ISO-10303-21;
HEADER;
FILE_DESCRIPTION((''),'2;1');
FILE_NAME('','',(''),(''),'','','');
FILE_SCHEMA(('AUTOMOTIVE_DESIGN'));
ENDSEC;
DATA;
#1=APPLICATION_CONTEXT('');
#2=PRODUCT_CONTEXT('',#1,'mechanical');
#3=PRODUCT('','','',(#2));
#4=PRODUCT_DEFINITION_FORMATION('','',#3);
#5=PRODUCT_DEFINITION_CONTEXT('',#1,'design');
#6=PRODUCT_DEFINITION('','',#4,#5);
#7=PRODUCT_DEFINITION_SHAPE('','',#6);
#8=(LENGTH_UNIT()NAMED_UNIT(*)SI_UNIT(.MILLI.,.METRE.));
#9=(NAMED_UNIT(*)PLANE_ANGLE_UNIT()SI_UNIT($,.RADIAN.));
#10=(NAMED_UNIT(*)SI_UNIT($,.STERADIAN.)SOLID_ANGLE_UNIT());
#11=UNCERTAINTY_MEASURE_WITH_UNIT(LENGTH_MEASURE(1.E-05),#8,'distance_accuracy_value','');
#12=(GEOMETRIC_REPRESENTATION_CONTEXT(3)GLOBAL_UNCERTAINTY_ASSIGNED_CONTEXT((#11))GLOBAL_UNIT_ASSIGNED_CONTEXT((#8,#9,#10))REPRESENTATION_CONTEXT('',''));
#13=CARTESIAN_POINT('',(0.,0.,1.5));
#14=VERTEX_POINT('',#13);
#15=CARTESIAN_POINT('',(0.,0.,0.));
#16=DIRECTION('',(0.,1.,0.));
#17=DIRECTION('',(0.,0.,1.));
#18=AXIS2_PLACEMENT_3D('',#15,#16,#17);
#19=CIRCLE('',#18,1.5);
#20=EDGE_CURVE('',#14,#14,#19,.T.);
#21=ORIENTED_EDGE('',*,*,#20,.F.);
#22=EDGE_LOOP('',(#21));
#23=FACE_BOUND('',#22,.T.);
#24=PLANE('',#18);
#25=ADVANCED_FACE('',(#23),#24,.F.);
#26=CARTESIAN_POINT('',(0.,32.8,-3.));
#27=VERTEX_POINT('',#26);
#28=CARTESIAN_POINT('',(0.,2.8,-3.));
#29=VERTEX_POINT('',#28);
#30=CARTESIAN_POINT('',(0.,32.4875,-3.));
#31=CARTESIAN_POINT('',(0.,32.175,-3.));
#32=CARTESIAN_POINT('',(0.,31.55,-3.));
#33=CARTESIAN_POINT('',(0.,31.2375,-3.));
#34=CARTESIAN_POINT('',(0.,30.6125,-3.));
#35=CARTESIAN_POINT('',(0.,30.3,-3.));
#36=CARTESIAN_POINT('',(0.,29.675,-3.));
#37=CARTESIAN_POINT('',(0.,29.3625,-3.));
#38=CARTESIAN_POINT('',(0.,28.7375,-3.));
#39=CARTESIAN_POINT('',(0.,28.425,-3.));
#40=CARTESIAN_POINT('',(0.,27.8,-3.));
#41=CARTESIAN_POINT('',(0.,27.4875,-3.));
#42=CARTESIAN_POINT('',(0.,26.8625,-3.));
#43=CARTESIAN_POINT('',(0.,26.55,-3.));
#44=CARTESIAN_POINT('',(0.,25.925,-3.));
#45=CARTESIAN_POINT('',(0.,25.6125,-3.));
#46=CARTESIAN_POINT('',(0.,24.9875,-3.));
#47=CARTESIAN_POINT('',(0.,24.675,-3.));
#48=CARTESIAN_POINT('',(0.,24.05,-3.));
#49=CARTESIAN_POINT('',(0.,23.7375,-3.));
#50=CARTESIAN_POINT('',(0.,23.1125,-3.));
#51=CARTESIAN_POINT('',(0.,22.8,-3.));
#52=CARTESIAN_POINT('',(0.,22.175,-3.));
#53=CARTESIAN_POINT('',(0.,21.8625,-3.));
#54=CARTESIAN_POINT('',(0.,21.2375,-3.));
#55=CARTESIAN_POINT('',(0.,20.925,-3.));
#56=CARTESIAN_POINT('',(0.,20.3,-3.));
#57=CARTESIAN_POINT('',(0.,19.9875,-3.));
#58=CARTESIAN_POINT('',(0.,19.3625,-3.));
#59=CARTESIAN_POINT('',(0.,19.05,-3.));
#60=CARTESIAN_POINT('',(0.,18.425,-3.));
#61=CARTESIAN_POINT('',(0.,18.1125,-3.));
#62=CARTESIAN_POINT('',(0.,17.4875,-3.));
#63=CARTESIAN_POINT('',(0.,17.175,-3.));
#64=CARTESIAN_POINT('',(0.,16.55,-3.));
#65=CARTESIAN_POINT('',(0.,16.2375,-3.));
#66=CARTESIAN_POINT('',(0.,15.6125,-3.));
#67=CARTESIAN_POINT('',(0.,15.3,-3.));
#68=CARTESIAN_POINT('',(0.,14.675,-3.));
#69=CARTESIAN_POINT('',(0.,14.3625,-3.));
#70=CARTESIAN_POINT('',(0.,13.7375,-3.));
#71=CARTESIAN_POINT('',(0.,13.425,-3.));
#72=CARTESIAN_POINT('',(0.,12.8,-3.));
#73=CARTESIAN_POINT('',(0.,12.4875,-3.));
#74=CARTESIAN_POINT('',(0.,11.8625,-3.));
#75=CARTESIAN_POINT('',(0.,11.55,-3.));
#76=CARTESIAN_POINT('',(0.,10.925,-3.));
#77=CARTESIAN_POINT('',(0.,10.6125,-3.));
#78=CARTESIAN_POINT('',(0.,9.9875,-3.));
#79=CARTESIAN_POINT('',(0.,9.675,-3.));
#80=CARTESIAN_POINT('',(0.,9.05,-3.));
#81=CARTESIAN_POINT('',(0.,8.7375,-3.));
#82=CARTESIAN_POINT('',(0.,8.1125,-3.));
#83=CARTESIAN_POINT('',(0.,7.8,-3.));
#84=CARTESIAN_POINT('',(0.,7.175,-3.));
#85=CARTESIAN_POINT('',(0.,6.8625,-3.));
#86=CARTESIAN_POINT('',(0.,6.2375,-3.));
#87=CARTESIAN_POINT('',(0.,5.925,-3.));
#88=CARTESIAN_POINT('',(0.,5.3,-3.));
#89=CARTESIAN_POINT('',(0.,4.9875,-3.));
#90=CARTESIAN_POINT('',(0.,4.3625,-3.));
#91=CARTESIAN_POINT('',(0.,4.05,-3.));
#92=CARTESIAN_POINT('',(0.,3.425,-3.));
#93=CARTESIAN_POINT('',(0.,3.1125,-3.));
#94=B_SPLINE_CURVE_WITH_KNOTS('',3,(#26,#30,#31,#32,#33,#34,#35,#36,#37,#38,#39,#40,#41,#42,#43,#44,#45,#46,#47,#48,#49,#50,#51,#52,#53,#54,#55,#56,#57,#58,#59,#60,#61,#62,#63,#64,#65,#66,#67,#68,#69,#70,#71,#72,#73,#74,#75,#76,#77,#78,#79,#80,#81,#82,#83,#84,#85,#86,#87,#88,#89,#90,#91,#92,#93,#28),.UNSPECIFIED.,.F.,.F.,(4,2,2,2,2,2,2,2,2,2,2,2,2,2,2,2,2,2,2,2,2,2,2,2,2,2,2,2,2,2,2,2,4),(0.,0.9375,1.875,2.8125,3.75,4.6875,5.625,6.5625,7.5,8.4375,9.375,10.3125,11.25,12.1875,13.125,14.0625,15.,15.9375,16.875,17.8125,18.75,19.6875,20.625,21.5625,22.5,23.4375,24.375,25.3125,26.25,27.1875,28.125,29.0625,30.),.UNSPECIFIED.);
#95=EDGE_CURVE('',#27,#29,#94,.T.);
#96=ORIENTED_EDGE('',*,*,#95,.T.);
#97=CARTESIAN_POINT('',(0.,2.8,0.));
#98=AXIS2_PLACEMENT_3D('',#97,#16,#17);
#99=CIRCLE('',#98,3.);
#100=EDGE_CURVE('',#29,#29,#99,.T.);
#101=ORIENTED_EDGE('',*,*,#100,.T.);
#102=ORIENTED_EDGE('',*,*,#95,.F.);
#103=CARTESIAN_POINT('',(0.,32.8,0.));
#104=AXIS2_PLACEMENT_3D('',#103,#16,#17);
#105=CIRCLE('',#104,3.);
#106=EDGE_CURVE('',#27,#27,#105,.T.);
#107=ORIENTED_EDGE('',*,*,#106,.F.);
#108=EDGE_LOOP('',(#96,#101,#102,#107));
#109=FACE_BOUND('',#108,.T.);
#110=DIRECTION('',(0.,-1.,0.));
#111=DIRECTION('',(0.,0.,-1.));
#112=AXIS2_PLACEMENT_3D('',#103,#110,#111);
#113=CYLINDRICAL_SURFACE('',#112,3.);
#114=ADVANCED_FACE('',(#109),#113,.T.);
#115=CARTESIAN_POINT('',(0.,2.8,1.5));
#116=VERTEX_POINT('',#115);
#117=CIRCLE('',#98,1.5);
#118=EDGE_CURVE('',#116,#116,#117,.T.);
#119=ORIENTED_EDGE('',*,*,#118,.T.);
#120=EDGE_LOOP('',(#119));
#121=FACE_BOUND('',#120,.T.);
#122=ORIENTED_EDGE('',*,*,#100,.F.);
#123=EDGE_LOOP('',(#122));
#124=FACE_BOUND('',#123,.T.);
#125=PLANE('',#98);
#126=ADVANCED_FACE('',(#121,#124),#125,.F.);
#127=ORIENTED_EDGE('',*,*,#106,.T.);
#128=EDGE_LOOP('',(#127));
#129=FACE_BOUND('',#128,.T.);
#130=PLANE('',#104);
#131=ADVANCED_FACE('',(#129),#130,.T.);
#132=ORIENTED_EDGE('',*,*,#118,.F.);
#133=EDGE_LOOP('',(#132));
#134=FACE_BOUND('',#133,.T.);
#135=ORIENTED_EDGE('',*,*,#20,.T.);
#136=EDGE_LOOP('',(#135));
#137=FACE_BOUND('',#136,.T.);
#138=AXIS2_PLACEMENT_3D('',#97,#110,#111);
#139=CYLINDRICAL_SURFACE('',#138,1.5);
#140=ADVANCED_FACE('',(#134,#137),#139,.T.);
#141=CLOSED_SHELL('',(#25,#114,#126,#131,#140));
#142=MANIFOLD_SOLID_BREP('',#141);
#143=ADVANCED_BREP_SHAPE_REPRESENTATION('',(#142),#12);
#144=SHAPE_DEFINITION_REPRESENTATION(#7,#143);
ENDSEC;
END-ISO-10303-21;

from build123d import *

# Parameters (mm, degrees)
SKETCH_1_R      = 1.5
EXTRUDE_1_DEPTH = 2.8
SKETCH_2_R      = 3
EXTRUDE_2_DEPTH = 30


with BuildPart() as part:
    # 草圖1 → 填料-伸長1 (new body)
    with BuildSketch(Plane(origin=(0, 0, 0), x_dir=(1, 0, 0), z_dir=(0, 1, 0))):
        with Locations(Location((0, 0, 0), (0, 0, 270))):
            Circle(SKETCH_1_R)
    extrude(amount=EXTRUDE_1_DEPTH)

    # 草圖2 → 填料-伸長2 (add)
    with BuildSketch(Plane(origin=(0, 2.8, 0), x_dir=(1, 0, 0), z_dir=(0, 1, 0))):
        with Locations(Location((0, 0, 0), (0, 0, 90))):
            Circle(SKETCH_2_R)
    extrude(amount=EXTRUDE_2_DEPTH)


solid = part.part
